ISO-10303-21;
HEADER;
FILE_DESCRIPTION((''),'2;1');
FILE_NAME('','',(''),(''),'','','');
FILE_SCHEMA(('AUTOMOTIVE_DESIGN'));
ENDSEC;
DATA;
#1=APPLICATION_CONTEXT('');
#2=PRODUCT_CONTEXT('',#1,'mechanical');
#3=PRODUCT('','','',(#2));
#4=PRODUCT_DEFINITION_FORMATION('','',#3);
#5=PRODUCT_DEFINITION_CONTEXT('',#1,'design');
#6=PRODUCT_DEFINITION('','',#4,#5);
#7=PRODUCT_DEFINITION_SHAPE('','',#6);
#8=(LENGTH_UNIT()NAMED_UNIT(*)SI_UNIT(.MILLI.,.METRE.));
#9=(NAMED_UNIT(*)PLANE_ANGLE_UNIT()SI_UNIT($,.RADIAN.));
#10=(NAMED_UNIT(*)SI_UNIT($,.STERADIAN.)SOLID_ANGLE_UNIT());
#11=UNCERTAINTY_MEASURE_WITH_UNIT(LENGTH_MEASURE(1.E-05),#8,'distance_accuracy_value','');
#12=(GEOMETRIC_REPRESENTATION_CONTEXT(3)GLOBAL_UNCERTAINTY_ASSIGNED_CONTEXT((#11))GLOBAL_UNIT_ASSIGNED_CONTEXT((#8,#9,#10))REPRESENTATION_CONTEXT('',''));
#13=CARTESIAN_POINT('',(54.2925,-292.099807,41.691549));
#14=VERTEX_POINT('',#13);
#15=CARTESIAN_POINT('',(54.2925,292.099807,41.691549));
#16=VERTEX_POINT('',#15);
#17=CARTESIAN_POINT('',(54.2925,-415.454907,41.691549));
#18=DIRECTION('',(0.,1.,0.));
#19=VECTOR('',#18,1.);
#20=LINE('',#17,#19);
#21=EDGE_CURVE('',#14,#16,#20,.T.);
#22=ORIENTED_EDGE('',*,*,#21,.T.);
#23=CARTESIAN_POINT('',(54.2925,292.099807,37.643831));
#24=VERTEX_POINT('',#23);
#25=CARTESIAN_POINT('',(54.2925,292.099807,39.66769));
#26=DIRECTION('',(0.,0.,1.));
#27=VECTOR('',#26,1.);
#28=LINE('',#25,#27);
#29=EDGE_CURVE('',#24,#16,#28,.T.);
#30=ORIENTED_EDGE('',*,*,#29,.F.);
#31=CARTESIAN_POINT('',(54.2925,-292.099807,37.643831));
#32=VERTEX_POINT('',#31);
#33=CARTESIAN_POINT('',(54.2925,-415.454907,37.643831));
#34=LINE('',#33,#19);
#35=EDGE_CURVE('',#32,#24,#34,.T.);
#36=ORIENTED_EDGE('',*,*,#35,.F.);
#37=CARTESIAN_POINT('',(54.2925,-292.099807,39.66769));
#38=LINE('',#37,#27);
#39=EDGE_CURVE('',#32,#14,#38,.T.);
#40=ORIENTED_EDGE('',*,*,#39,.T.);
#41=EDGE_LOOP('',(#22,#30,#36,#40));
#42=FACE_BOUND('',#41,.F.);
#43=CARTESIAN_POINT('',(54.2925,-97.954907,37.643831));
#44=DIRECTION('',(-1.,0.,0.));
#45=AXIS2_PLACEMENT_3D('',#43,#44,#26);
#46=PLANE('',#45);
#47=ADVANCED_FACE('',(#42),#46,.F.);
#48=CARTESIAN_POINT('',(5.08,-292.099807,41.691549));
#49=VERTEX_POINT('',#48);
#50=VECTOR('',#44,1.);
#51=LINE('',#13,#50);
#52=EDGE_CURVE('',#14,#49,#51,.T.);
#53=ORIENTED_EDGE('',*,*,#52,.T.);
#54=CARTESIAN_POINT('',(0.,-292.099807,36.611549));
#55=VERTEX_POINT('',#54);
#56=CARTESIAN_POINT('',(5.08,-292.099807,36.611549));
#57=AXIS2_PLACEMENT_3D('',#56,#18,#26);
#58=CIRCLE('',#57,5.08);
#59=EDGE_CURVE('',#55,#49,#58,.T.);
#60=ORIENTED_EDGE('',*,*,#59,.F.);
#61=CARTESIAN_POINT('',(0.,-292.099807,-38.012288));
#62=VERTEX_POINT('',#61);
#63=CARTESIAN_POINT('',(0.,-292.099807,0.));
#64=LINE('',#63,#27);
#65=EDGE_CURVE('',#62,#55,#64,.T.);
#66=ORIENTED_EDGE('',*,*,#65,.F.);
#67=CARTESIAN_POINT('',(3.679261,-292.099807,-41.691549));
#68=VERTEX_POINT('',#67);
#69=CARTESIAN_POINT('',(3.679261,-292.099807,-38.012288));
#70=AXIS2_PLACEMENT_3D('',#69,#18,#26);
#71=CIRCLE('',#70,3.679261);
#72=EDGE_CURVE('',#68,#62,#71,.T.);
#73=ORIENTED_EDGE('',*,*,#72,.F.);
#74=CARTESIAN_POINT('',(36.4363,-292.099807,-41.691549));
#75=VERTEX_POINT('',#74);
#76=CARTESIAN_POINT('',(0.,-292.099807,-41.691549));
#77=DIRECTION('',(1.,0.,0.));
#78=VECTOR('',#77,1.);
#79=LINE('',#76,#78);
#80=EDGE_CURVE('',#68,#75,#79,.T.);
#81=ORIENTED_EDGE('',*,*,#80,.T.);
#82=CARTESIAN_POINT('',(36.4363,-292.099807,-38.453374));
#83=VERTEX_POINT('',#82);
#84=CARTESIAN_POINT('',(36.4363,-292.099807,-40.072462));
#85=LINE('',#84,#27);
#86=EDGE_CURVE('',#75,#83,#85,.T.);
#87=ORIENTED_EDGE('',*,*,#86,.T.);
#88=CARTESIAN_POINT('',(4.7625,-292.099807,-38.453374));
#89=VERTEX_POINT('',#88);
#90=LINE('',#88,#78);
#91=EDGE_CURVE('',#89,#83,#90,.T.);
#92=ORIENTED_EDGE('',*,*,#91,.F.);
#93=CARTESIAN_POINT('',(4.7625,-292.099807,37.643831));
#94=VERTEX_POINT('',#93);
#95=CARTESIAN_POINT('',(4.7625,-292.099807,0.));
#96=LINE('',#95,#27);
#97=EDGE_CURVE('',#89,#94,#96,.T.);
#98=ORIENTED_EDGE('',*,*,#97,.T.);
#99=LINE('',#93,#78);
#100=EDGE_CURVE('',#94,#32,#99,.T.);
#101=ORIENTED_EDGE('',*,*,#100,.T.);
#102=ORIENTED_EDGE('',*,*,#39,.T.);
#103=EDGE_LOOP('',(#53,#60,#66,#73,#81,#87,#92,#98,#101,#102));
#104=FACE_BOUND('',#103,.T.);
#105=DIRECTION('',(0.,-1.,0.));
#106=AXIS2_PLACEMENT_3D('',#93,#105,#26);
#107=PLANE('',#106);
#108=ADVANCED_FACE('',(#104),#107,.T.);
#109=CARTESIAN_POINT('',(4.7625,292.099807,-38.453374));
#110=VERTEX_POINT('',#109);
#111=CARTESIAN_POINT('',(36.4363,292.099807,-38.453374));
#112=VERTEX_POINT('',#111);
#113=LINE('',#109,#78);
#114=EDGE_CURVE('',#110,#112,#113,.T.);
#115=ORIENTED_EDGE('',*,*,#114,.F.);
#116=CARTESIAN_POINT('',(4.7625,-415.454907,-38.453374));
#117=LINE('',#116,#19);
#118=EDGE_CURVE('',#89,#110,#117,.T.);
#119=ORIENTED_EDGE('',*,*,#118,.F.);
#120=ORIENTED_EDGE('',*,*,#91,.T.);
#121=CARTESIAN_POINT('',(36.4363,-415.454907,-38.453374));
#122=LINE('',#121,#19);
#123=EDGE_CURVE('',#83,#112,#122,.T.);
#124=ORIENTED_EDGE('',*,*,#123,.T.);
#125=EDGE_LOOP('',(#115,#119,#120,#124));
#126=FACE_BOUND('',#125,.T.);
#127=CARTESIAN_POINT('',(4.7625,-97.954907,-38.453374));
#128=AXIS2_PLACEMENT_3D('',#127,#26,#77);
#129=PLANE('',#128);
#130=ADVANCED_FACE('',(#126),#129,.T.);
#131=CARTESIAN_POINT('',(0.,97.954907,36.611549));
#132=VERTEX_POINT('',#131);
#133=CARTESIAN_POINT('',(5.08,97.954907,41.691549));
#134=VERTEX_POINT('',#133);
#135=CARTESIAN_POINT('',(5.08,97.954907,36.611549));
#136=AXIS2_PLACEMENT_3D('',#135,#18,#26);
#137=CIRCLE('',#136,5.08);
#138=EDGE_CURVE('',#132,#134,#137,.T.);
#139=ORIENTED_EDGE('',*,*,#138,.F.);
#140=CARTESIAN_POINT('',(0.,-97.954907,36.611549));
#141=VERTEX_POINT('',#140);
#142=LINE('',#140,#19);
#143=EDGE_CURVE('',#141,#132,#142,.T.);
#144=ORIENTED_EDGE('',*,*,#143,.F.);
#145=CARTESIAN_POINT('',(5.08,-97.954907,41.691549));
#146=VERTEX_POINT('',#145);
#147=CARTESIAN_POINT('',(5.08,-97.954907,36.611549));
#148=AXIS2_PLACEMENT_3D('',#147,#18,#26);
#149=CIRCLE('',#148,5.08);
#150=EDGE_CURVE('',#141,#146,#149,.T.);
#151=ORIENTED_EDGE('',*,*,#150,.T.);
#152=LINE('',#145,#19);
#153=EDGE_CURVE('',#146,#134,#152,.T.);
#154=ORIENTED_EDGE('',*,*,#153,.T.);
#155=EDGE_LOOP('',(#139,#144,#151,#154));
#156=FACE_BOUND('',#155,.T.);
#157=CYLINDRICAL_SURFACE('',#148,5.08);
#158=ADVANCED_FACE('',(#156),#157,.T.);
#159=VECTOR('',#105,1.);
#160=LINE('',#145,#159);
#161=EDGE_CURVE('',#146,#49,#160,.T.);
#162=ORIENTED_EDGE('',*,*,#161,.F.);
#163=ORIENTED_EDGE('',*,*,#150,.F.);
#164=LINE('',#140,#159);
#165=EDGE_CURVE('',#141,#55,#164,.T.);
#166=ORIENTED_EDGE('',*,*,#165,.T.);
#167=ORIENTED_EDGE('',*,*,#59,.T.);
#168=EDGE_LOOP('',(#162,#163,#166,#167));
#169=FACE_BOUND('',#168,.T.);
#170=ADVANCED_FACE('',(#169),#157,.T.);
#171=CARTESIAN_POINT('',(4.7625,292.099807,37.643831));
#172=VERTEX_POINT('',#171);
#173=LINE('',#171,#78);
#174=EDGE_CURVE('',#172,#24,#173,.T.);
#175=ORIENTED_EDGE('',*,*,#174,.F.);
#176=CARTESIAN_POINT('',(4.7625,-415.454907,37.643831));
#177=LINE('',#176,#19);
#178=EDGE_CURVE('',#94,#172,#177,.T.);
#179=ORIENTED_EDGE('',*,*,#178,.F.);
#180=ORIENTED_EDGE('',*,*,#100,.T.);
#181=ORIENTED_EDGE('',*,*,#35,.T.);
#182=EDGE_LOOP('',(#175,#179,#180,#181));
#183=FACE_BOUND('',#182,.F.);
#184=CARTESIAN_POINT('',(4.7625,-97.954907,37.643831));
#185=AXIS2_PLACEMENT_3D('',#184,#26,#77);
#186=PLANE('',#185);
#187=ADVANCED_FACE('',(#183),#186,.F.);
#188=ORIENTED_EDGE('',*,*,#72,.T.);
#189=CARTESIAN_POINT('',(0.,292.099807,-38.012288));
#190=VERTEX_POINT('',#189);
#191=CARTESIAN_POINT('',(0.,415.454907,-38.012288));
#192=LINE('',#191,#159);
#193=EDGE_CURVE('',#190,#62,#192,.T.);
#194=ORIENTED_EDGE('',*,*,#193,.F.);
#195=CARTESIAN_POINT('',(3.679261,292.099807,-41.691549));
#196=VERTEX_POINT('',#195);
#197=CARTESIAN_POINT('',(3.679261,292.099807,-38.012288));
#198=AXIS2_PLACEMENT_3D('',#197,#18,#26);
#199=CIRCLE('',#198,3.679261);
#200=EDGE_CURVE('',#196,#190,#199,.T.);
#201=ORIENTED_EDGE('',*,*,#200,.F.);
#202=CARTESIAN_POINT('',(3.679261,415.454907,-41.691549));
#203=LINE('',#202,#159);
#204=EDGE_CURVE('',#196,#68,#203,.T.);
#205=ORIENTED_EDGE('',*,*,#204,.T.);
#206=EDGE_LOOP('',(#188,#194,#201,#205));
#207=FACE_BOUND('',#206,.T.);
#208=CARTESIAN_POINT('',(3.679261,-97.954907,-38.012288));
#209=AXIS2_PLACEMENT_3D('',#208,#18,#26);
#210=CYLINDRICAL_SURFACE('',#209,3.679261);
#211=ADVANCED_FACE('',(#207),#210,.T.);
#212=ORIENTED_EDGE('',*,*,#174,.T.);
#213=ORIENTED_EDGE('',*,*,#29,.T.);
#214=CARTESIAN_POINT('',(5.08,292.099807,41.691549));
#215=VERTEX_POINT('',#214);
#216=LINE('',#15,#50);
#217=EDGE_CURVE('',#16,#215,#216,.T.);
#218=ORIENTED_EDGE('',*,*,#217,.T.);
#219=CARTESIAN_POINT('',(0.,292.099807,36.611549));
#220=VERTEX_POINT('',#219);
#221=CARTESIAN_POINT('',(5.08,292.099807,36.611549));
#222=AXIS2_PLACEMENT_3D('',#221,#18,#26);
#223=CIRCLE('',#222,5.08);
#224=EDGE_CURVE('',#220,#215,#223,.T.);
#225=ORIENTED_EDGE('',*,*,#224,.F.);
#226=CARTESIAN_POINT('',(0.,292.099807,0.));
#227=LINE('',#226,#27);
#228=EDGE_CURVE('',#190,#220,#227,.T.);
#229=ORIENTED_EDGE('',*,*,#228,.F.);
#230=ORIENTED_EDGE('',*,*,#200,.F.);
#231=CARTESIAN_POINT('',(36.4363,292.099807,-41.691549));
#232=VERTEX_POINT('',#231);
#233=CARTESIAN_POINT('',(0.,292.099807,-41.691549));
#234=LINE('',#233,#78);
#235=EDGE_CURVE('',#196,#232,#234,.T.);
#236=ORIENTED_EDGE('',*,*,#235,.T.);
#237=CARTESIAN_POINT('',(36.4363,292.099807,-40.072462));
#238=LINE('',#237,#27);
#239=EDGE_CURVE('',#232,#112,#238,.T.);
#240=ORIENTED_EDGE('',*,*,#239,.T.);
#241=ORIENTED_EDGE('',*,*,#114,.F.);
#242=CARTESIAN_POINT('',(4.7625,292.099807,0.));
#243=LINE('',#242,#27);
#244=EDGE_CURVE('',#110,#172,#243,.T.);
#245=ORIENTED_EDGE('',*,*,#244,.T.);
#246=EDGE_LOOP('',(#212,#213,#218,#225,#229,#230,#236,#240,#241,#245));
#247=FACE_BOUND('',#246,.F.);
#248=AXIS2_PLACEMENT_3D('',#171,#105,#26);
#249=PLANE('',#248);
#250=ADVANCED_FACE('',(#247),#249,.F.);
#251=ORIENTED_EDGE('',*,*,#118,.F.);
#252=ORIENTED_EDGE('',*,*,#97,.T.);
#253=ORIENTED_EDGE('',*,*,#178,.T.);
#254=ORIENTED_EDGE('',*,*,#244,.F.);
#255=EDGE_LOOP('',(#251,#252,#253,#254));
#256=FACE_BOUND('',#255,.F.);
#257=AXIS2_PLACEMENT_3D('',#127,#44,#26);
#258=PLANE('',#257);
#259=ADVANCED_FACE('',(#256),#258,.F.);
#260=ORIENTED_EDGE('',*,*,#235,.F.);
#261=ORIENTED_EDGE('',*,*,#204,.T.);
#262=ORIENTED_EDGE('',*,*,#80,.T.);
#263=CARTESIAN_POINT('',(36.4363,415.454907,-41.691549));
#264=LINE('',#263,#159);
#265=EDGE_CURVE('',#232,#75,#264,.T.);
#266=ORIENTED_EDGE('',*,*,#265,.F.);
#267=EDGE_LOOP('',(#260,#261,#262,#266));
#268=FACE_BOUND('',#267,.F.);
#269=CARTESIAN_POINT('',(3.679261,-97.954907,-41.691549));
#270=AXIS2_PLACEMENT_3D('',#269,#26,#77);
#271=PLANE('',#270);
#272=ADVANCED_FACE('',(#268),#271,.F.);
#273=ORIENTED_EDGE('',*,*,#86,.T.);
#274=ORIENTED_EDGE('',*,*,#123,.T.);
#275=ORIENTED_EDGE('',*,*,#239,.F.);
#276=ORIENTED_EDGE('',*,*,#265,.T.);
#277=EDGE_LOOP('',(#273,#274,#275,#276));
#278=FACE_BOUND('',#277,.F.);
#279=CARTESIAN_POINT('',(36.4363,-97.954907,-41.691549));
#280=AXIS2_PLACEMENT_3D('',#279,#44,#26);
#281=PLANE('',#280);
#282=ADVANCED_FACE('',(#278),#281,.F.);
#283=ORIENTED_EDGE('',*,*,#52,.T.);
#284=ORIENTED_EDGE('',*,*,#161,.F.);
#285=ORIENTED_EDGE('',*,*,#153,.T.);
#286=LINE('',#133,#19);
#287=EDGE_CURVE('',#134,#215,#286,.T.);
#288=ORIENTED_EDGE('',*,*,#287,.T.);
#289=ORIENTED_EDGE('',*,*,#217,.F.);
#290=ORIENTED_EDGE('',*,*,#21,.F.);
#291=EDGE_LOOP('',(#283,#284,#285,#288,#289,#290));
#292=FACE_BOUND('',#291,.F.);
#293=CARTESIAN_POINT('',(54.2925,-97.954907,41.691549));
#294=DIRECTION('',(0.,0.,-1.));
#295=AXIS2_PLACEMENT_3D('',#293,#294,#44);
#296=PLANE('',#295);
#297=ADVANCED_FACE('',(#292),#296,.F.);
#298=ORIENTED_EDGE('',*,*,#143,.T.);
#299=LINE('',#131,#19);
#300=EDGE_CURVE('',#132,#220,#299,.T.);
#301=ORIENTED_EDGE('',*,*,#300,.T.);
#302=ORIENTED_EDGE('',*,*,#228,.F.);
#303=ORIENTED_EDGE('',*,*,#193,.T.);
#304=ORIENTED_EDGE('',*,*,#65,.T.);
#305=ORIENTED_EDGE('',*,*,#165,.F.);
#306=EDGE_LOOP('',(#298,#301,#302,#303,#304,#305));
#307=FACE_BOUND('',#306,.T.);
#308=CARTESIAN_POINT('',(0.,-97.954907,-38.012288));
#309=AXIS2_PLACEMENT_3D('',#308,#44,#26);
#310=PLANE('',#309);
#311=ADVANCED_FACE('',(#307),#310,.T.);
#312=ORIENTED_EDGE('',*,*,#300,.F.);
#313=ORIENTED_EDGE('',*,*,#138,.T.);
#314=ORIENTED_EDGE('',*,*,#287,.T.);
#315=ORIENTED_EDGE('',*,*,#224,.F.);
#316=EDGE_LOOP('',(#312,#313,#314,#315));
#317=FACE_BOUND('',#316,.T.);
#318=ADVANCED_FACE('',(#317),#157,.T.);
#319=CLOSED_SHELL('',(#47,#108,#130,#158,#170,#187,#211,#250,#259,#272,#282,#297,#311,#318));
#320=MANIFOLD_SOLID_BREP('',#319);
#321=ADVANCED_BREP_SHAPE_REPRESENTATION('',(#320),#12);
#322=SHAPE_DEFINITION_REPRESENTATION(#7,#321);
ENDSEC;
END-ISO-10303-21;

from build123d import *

# Parameters (mm, degrees)
F0_W      = 195.9098130465
F0_H      = 83.3830982447
F1_DEPTH  = 4.7625
F2_W      = 195.9098130465
F2_H      = 3.2381750643
F3_DEPTH  = 34.8488
F4_R      = 3.6792614691
F5_DEPTH  = 3.175
F6_W      = 195.9098130465
F6_H      = 4.0477178991
F7_DEPTH  = 49.53
F8_R      = 5.08
F9_DEPTH  = 317.5
F10_DEPTH = 317.5
F11_DEPTH = 123.3551
F12_DEPTH = 123.3551


with BuildPart() as f1:
    # F0 (on Right) → F1 (new body)
    with BuildSketch(Plane.YZ):
        Rectangle(F0_W, F0_H)
    extrude(amount=F1_DEPTH)

    # F2 (on face) → F3 (join)
    with BuildSketch(Plane.YZ.offset(4.7625)):
        with Locations((0, -40.0724615902)):
            Rectangle(F2_W, F2_H)
    extrude(amount=F3_DEPTH)

    # F4
    f4_edges = [f1.edges().sort_by_distance(p)[0] for p in [
        (0, 0, -41.691549),
    ]]
    fillet(f4_edges, radius=F4_R)

    # F5 (cut): a face of the model
    f5_faces = [f1.faces().sort_by_distance(p)[0] for p in [
        (39.6113, 0, -40.0724615902),
    ]]
    extrude(f5_faces, amount=-F5_DEPTH, mode=Mode.SUBTRACT)

    # F6 (on face) → F7 (join)
    with BuildSketch(Plane.YZ.offset(4.7625)):
        with Locations((0, 39.6676901728)):
            Rectangle(F6_W, F6_H)
    extrude(amount=F7_DEPTH)

    # F8
    f8_edges = [f1.edges().sort_by_distance(p)[0] for p in [
        (0, 0, 41.691549),
    ]]
    fillet(f8_edges, radius=F8_R)

    # F9 (add): a face of the model
    f9_faces = [f1.faces().sort_by_distance(p)[0] for p in [
        (29.68625, 97.9549065232, 40.696540749),
    ]]
    extrude(f9_faces, amount=F9_DEPTH)

    # F10 (add): a face of the model
    f10_faces = [f1.faces().sort_by_distance(p)[0] for p in [
        (0.9950083733, -97.9549065232, -0.7003692655),
    ]]
    extrude(f10_faces, amount=F10_DEPTH)

    # F11 (cut): a face of the model
    f11_faces = [f1.faces().sort_by_distance(p)[0] for p in [
        (29.68625, 415.4549065232, 40.696540749),
    ]]
    extrude(f11_faces, amount=-F11_DEPTH, mode=Mode.SUBTRACT)

    # F12 (cut): a face of the model
    f12_faces = [f1.faces().sort_by_distance(p)[0] for p in [
        (0.9950083733, -415.4549065232, -0.7003692655),
    ]]
    extrude(f12_faces, amount=-F12_DEPTH, mode=Mode.SUBTRACT)


solid = f1.part
